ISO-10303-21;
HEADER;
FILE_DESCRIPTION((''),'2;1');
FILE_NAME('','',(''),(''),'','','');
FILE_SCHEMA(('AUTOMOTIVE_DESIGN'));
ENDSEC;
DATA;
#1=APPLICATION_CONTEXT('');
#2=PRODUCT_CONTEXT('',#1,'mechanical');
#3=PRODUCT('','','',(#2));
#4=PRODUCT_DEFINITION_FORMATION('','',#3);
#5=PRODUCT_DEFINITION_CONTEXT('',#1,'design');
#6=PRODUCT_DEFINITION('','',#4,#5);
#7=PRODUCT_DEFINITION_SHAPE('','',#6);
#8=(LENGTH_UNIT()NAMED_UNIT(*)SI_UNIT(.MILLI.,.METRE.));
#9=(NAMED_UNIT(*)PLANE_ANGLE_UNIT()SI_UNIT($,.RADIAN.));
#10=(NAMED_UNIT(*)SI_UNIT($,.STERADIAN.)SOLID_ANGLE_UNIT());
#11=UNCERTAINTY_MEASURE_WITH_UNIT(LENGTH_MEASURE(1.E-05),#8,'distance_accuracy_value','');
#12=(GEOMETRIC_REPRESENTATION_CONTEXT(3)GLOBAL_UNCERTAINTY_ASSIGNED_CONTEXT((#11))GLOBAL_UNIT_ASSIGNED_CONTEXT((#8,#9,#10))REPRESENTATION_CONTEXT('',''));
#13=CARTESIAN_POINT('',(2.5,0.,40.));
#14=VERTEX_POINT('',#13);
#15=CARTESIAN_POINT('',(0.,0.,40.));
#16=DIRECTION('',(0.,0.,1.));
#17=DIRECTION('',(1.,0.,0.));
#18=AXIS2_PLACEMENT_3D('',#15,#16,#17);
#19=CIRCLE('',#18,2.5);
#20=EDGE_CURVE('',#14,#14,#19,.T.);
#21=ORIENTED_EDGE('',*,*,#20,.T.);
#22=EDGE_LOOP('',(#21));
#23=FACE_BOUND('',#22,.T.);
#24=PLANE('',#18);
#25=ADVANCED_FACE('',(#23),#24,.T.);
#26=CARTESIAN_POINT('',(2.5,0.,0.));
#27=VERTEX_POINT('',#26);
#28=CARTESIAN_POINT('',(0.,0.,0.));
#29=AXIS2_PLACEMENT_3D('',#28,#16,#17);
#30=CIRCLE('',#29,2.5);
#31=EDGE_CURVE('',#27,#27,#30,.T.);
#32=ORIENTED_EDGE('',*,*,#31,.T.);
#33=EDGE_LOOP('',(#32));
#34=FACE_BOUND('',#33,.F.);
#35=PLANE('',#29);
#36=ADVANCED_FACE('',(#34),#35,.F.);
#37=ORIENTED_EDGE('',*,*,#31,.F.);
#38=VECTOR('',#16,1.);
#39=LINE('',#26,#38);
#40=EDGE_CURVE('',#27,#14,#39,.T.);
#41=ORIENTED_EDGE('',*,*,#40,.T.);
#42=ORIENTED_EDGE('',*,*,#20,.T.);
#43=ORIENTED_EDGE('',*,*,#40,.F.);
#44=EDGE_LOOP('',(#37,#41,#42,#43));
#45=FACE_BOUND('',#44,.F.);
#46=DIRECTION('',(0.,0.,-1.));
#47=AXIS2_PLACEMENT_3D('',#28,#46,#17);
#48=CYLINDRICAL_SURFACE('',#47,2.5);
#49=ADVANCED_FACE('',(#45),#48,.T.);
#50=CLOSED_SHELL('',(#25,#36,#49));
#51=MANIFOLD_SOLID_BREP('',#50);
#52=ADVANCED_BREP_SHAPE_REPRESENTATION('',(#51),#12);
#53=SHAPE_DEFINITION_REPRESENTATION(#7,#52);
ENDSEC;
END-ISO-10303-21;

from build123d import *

# Parameters (mm, degrees)
IZIM1_R                     = 2.5
Y_KSEKLIK_EKSTR_ZYON1_DEPTH = 40


with BuildPart() as part:
    # Çizim1 → Yükseklik-Ekstrüzyon1 (new body)
    with BuildSketch(Plane.XY):
        Circle(IZIM1_R)
    extrude(amount=Y_KSEKLIK_EKSTR_ZYON1_DEPTH)


solid = part.part
